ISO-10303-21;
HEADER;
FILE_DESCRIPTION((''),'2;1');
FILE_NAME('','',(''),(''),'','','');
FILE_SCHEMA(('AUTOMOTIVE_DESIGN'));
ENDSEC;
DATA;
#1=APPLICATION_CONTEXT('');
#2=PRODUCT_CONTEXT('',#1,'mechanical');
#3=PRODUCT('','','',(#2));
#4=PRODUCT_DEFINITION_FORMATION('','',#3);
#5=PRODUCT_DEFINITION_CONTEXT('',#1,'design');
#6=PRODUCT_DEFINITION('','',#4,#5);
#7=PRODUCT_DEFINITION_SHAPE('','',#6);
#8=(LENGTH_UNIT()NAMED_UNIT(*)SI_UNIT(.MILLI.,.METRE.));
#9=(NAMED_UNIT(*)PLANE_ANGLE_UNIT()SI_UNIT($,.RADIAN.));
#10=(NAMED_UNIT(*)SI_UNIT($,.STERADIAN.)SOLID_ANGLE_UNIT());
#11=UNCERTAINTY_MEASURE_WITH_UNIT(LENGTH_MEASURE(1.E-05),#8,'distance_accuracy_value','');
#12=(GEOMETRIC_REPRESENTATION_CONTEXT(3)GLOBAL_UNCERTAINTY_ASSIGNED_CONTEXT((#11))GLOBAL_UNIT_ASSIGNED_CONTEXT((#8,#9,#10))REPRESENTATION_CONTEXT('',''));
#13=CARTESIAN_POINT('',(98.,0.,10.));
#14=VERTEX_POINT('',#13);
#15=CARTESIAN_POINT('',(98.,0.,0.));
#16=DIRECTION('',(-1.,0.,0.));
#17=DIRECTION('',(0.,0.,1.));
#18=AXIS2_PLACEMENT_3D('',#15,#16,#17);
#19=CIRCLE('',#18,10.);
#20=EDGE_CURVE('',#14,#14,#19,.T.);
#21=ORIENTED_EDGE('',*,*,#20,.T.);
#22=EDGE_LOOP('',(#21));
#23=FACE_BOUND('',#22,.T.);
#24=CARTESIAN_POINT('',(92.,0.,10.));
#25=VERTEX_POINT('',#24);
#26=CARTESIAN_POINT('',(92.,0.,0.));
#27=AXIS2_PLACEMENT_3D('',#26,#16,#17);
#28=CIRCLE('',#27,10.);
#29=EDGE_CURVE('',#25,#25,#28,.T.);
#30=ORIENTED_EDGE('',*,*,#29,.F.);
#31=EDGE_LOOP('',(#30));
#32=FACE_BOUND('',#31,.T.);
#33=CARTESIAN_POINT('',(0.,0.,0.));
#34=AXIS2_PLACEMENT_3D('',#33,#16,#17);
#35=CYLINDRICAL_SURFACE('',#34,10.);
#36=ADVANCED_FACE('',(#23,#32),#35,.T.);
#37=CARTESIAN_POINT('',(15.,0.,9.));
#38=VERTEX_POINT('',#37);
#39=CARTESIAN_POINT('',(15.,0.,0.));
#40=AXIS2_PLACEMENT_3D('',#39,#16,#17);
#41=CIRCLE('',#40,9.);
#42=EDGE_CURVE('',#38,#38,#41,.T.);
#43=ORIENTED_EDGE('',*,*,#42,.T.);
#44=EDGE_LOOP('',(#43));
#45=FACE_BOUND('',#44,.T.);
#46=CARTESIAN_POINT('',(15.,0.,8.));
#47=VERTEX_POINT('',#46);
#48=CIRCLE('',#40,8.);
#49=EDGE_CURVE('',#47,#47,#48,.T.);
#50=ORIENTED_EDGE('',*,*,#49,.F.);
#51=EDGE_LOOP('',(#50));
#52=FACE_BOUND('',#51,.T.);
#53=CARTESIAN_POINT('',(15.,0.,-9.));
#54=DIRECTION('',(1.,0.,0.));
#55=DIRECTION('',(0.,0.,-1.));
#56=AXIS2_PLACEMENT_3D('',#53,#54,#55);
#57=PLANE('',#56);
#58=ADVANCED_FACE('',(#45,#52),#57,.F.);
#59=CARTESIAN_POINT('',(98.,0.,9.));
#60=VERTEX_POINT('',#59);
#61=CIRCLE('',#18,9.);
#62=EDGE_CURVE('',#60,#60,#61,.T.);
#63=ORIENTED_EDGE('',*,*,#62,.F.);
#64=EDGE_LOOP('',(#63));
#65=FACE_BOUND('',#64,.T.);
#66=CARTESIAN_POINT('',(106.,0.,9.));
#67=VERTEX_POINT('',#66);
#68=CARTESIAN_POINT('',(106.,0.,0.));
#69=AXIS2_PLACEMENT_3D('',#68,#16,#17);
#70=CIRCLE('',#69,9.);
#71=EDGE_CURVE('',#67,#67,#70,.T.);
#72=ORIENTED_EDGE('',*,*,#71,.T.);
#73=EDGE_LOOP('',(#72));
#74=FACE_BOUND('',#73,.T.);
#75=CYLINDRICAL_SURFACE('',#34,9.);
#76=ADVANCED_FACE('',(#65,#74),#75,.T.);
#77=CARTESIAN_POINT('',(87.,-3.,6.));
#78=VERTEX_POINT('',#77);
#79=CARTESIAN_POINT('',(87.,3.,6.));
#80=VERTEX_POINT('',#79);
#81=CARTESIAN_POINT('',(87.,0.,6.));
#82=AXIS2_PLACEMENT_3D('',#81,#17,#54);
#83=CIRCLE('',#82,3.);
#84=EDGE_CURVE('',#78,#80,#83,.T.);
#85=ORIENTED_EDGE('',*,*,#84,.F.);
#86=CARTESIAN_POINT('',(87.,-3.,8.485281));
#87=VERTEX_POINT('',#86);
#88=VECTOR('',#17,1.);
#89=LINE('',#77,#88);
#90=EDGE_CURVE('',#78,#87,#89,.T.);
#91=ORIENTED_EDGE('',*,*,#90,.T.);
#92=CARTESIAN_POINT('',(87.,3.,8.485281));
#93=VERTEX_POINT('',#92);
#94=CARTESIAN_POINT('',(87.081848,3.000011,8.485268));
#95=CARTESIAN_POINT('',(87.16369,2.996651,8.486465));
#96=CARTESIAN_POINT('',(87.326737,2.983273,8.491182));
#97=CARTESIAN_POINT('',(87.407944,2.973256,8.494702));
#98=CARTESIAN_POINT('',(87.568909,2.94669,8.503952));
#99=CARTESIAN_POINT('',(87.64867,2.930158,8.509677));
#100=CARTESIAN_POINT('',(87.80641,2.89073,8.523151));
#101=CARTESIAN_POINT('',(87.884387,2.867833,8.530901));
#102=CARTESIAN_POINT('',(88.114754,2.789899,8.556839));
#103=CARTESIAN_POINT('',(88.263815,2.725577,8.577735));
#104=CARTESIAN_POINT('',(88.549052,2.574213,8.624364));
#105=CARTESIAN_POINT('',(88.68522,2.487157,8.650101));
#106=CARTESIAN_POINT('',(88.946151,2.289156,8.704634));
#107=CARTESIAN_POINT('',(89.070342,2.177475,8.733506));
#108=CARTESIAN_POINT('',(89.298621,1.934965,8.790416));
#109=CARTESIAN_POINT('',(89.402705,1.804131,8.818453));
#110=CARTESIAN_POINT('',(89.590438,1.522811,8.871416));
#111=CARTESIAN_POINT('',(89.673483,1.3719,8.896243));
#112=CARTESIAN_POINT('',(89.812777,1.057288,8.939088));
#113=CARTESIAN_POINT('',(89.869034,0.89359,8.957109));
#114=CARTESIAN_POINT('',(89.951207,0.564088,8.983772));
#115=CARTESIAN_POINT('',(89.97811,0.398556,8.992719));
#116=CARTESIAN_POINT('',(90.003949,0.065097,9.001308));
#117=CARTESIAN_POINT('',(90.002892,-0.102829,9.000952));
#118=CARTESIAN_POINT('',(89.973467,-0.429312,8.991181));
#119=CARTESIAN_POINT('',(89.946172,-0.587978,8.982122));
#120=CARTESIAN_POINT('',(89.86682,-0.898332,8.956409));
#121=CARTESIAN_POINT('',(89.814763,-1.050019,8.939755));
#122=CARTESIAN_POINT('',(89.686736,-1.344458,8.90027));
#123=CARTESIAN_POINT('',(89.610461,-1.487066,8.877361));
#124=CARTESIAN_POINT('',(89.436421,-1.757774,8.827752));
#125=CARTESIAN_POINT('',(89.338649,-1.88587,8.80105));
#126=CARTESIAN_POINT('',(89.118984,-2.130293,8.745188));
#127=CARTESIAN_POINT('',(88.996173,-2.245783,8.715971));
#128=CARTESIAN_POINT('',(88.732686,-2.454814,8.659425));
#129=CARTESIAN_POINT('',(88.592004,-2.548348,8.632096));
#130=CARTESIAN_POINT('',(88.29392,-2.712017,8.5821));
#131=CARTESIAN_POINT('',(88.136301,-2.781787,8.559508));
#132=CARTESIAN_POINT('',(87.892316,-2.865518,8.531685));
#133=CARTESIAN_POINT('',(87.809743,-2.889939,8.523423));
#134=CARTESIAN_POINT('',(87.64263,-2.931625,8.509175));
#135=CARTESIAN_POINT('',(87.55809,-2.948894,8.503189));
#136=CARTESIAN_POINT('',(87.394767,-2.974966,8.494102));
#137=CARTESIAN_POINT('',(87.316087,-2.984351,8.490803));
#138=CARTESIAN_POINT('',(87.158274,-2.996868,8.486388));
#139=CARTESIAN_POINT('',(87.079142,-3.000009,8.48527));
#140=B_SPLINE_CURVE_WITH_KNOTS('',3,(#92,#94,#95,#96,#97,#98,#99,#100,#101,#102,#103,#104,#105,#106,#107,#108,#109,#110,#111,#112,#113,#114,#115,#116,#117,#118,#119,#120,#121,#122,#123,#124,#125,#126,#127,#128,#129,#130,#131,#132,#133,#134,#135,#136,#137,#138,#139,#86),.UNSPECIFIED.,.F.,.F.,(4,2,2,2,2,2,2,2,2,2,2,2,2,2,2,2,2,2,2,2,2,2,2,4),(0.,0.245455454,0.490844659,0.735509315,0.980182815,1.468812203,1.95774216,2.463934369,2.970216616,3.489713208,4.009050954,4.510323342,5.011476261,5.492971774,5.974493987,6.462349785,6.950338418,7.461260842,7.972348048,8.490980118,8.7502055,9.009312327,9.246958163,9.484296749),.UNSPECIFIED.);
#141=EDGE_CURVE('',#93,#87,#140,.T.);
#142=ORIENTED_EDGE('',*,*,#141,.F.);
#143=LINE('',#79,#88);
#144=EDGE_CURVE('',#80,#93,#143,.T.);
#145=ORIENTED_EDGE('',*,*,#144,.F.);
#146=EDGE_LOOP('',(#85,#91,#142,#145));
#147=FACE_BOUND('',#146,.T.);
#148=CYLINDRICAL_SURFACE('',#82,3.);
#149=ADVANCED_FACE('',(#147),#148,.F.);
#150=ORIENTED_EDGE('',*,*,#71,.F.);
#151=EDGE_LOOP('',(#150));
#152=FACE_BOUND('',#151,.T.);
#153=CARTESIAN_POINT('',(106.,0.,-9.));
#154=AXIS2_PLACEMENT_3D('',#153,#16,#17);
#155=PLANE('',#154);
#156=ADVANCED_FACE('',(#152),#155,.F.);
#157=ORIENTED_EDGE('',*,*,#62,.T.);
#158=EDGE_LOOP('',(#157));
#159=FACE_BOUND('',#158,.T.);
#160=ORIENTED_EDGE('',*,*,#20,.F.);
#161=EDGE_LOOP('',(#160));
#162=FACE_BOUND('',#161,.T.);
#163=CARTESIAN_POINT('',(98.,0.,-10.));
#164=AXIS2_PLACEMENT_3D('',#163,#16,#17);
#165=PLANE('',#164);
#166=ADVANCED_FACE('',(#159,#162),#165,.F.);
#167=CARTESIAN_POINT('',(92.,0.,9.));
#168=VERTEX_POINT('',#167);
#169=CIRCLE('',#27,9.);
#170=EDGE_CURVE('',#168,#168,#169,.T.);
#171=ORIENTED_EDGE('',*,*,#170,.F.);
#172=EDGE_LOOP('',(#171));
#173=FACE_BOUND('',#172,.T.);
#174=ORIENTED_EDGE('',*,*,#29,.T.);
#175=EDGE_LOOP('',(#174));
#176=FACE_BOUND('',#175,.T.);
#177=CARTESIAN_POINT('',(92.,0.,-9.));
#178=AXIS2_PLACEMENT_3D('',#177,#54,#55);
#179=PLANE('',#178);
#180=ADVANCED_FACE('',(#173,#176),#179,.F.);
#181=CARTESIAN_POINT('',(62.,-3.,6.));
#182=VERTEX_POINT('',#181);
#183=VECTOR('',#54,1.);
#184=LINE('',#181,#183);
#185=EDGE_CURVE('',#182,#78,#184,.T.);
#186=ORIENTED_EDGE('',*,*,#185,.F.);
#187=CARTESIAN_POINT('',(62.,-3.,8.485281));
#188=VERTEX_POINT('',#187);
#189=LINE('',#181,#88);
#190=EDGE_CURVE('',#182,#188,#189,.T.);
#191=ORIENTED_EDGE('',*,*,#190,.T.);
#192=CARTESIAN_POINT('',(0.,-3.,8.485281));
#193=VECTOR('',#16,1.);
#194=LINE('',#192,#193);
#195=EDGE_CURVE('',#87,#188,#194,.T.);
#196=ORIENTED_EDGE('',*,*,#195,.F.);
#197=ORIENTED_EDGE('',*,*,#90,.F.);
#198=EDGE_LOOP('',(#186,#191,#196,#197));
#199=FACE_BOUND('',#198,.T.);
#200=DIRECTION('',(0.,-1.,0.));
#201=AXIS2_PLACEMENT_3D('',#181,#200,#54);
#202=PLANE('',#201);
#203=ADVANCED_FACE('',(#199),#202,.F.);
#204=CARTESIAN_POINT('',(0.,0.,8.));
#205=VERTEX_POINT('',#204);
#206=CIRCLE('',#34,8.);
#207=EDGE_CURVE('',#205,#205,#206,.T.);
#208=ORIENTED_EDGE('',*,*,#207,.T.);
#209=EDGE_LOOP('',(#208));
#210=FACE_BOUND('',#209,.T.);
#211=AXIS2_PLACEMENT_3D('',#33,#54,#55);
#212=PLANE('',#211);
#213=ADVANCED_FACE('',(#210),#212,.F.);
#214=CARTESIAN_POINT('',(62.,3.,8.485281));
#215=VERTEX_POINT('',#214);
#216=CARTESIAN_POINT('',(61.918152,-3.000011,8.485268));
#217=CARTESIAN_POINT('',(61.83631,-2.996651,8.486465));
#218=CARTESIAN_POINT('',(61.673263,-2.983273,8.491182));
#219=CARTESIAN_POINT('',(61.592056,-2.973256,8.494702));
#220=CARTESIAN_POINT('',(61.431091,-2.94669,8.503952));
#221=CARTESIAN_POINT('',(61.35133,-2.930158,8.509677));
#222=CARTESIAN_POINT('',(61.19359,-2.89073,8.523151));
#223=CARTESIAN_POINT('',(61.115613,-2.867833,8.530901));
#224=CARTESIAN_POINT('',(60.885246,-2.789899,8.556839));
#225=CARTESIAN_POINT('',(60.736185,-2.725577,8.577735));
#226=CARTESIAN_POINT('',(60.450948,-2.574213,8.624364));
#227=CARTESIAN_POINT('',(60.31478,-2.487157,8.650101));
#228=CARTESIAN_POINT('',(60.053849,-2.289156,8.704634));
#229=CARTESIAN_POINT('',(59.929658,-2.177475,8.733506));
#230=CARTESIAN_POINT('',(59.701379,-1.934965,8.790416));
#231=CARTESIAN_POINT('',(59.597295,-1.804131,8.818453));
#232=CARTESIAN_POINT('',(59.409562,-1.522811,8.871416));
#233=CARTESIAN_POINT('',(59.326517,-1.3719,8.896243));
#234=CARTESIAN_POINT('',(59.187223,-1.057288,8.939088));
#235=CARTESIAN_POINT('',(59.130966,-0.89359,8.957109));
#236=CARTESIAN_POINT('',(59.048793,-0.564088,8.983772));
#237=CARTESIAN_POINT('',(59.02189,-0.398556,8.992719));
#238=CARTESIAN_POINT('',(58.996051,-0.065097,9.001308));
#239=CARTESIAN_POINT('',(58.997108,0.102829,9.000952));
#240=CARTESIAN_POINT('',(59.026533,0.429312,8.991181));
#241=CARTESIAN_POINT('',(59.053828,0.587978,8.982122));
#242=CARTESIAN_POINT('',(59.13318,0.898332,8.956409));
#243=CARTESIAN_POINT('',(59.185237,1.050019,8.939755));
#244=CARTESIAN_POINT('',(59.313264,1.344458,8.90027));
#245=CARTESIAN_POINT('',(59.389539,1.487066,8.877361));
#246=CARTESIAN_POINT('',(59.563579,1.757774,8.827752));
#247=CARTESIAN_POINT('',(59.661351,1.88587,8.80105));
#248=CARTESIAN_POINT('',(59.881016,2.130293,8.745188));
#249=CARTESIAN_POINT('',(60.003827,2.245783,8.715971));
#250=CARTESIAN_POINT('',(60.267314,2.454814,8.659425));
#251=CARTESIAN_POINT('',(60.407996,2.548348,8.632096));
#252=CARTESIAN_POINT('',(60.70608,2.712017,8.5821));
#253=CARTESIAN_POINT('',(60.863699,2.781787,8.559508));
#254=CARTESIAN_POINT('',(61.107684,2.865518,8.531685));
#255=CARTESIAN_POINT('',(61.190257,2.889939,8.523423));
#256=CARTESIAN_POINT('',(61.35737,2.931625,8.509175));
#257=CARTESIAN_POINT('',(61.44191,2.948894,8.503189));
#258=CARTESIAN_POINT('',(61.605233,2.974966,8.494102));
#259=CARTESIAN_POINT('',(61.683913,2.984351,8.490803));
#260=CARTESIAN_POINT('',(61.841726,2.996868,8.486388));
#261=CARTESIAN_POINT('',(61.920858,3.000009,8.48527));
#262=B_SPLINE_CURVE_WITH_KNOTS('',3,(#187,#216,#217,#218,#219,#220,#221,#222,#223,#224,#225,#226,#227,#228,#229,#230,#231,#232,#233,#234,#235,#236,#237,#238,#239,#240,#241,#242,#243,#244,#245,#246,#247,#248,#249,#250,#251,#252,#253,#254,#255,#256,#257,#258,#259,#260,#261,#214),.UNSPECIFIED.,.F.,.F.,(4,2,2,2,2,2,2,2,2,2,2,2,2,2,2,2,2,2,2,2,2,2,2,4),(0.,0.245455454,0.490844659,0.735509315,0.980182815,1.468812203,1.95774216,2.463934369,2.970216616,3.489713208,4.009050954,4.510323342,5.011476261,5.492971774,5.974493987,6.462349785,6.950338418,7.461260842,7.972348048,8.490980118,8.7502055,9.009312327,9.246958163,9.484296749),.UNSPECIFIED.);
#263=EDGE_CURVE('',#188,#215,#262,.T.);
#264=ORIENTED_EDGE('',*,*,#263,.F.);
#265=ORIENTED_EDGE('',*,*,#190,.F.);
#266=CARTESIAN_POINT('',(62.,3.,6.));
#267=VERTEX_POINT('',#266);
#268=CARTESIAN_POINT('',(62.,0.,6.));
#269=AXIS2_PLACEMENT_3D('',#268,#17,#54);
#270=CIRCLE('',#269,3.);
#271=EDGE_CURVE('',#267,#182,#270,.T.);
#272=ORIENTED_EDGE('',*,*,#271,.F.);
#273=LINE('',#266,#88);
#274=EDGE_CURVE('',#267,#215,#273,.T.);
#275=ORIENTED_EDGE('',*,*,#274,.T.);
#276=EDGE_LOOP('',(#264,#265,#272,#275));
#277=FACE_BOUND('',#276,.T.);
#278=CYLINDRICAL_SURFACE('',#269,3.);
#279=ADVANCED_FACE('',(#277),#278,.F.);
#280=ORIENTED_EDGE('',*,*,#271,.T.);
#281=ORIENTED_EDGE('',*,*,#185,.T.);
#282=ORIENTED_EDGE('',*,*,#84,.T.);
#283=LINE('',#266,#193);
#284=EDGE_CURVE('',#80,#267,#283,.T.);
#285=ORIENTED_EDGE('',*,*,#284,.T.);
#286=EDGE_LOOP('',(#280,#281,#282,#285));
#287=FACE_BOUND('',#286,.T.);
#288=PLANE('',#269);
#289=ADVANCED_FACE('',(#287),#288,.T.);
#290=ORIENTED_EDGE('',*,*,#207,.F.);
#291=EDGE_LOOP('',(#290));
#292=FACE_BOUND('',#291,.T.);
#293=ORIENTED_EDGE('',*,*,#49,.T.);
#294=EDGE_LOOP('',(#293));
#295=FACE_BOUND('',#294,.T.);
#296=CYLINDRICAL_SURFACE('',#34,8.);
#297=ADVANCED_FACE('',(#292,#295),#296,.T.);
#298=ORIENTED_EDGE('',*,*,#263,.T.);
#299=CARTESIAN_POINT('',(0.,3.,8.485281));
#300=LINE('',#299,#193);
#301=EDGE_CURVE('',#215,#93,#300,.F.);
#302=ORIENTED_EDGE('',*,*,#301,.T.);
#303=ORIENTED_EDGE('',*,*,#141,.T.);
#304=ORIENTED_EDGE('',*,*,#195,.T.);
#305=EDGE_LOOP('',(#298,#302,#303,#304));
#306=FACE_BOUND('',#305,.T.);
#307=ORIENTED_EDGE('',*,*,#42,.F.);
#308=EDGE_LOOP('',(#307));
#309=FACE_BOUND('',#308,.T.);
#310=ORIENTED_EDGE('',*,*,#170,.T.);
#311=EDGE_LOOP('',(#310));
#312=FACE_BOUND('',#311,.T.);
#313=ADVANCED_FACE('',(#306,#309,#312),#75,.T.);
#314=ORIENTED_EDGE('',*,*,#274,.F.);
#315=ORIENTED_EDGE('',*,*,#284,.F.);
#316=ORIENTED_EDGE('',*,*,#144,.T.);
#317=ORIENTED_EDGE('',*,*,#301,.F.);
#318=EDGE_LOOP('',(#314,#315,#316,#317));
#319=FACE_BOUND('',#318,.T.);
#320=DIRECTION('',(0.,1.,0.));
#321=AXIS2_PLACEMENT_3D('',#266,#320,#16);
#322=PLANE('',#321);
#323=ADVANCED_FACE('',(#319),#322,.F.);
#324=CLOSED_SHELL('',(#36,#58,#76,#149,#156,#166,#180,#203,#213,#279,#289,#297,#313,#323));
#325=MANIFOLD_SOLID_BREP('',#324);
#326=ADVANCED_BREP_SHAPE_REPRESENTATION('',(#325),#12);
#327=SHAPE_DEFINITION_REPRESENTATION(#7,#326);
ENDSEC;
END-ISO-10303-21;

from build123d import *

# Parameters (mm, degrees)
CUT_EXTRUDE_2_DEPTH = 3


with BuildPart() as part:
    # 草图2 → 旋转1 (revolve)
    with BuildSketch(Plane(origin=(0, 0, 0), x_dir=(1, 0, 0), z_dir=(0, 1, 0))):
        Polygon((0, 0), (0, 8), (15, 8), (15, 9), (92, 9), (92, 10), (98, 10), (98, 9), (106, 9), (106, 0), align=None)
    revolve(axis=Axis((0, 0, 0), (1, 0, 0)))

    # 草图4 → 切除-拉伸2 (cut)
    with BuildSketch(Plane.XY.offset(9)):
        with BuildLine():
            Line((62, 3), (87, 3))
            ThreePointArc((87, 3), (90, 0), (87, -3))
            Line((87, -3), (62, -3))
            ThreePointArc((62, -3), (59, 0), (62, 3))
        make_face()
    extrude(amount=-CUT_EXTRUDE_2_DEPTH, mode=Mode.SUBTRACT)


solid = part.part
